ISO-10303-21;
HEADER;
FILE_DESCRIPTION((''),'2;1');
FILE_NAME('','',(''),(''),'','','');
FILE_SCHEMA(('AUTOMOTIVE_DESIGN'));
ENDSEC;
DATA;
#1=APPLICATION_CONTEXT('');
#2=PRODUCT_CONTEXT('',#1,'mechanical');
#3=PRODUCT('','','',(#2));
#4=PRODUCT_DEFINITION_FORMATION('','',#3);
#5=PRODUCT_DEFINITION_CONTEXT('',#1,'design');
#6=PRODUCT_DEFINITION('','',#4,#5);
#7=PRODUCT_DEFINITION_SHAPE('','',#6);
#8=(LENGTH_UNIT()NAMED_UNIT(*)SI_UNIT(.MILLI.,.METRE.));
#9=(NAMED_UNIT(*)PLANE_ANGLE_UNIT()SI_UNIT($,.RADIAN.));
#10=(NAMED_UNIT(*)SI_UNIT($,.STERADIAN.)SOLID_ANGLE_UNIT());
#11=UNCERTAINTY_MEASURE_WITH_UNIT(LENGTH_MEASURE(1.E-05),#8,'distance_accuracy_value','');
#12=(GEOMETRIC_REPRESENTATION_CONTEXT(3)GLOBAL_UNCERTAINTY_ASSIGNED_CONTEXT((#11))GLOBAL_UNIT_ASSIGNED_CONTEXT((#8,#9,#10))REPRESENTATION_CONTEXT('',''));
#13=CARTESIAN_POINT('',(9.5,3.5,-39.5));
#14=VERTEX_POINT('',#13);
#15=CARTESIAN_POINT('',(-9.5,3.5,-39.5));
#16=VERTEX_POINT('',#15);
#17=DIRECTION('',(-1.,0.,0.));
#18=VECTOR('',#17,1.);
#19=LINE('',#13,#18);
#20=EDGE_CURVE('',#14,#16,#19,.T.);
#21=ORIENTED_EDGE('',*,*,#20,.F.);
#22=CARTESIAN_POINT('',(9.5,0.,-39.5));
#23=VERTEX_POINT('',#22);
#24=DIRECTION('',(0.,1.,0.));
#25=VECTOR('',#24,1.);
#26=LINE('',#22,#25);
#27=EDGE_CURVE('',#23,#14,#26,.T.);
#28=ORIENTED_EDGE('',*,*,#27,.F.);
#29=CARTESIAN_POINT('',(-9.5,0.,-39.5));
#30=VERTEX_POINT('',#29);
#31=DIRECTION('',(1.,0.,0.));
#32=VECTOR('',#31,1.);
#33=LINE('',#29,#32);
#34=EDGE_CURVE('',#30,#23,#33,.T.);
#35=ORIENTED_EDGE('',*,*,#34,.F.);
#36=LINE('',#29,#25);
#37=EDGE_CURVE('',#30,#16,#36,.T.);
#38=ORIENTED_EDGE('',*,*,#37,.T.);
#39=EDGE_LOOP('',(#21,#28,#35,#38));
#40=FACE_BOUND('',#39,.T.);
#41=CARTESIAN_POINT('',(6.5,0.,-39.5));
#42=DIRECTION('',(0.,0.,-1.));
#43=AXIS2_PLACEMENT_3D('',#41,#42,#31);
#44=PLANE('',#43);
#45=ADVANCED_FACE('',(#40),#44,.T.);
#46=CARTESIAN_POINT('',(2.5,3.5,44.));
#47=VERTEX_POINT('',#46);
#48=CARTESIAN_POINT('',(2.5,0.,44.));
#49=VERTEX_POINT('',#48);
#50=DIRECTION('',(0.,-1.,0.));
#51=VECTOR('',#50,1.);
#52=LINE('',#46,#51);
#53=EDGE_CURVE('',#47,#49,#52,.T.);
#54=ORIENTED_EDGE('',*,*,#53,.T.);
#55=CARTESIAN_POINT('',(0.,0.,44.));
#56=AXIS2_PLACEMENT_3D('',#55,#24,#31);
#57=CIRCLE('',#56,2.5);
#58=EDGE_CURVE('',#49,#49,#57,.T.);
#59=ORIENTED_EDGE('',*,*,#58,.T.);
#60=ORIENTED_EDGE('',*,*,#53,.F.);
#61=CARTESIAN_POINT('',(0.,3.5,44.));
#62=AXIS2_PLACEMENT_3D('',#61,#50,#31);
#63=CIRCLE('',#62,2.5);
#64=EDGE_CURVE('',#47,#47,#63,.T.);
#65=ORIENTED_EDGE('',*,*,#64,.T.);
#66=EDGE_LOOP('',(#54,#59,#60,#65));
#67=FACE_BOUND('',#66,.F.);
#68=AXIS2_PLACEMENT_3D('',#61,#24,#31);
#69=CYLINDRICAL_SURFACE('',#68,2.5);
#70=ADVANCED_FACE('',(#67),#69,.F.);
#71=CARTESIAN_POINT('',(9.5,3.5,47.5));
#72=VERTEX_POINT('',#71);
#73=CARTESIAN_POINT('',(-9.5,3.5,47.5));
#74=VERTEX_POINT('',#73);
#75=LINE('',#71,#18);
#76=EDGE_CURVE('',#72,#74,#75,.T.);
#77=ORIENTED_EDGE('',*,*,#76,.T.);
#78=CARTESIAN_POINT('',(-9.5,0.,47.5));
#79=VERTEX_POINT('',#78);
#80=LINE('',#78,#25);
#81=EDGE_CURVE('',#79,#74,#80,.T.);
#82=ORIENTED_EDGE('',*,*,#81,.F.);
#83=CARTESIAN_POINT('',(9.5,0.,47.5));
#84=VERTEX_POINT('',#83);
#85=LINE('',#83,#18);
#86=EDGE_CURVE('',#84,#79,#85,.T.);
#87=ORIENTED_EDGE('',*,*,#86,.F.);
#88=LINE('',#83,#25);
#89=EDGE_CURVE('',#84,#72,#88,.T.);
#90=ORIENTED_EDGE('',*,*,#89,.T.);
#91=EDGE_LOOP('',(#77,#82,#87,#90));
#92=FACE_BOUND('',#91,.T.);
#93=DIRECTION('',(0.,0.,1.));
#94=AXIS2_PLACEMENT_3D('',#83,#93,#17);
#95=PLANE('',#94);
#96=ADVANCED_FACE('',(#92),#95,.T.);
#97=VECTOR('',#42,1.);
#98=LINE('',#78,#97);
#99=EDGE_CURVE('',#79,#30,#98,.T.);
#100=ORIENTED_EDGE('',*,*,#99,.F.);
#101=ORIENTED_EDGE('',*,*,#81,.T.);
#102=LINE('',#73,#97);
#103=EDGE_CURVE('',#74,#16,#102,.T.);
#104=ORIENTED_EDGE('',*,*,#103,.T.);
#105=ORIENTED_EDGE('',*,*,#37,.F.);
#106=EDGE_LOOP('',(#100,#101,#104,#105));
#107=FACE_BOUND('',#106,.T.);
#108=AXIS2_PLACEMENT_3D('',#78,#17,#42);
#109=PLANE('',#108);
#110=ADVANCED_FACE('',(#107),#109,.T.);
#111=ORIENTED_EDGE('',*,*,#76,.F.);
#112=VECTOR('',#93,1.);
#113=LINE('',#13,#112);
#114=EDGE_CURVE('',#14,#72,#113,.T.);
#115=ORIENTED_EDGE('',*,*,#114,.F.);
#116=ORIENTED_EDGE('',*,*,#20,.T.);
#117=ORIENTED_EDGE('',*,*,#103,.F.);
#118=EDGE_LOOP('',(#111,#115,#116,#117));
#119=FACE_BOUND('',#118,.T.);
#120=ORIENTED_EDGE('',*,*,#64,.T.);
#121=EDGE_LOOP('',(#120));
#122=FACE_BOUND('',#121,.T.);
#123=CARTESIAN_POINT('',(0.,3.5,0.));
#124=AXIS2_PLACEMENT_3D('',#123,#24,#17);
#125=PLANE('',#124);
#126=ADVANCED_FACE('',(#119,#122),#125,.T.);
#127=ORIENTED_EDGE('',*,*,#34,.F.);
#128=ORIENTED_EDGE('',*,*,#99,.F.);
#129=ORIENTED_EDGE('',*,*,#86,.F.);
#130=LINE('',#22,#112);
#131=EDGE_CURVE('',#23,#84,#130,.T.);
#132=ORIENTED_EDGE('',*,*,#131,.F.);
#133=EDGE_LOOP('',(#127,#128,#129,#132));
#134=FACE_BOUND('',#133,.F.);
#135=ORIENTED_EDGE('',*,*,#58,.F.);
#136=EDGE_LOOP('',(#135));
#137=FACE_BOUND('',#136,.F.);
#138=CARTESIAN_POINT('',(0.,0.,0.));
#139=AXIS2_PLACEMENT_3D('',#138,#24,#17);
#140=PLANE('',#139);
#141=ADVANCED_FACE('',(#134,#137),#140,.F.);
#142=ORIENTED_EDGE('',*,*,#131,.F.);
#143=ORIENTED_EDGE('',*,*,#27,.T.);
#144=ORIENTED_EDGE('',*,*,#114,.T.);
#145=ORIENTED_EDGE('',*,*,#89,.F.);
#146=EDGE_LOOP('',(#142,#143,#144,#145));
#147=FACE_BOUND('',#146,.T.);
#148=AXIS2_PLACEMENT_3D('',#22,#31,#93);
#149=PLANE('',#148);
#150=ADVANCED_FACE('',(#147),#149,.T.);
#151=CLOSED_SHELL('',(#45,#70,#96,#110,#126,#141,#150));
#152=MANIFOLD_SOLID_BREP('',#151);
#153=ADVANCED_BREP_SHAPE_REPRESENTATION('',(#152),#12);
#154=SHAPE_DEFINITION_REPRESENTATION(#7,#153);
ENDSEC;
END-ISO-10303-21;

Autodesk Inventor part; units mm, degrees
ref_plane "YZ Plane" through (0, 0, 0) normal (1, 0, 0) x (0, 1, 0)
ref_plane "XZ Plane" through (0, 0, 0) normal (0, 1, 0) x (-1, 0, 0)
ref_plane "XY Plane" through (0, 0, 0) normal (0, 0, 1) x (1, 0, 0)
sketch "Sketch1" plane through (0, 0, 0) normal (0, 1, 0) x (-1, 0, 0)
  line L0 (-9.5, 47.5) -> (9.5, 47.5)
  line L1 (9.5, 47.5) -> (9.5, -39.5)
  line L2 (6.5, -47.5) -> (-6.5, -47.5)
  line L3 (-9.5, -39.5) -> (-9.5, 47.5)
  line L4 (-9.5, 47.5) -> (9.5, -47.5) construction
  line L5 (9.5, 47.5) -> (-9.5, -47.5) construction
  line L6 (-6.5, -39.5) -> (6.5, -39.5)
  line L7 (6.5, -39.5) -> (6.5, -47.5)
  line L8 (6.5, -47.5) -> (-6.5, -47.5)
  line L9 (-6.5, -47.5) -> (-6.5, -39.5)
  line L10 (-6.5, -39.5) -> (6.5, -47.5) construction
  line L11 (6.5, -39.5) -> (-6.5, -47.5) construction
  line L12 (6.5, -39.5) -> (9.5, -39.5)
  line L13 (-6.5, -39.5) -> (-9.5, -39.5)
  point P0 (0, 0)
  point P1 (0, -43.5)
  dimension "d1" = 95
extrude "Extrusion1" add sketch "Sketch1" along normal blind 3.5 contours L0 L1 L12 L6 L13 L3
sketch "Sketch2" plane through (0, 3.5, 0) normal (0, 1, 0) x (1, 0, 0)
  line L0 (-9.5, 39.5) -> (-9.5, -47.5) projected
  line L1 (-9.5, -46.5) -> (9.5, -46.5)
  line L2 (9.5, -47.5) -> (9.5, 39.5) projected
  line L3 (-9.5, -47.5) -> (9.5, -47.5) projected
  circle A0 centre (0, -44) radius 2.5
  point P0 (0, 0)
  point P1 (-9.5, 47.5)
  point P2 (9.5, 47.5)
  dimension "d5" = 1
  dimension "d6" = 5
extrude "Extrusion2" cut sketch "Sketch2" against normal blind 5 contours A0
properties part number "PX9200-24"
